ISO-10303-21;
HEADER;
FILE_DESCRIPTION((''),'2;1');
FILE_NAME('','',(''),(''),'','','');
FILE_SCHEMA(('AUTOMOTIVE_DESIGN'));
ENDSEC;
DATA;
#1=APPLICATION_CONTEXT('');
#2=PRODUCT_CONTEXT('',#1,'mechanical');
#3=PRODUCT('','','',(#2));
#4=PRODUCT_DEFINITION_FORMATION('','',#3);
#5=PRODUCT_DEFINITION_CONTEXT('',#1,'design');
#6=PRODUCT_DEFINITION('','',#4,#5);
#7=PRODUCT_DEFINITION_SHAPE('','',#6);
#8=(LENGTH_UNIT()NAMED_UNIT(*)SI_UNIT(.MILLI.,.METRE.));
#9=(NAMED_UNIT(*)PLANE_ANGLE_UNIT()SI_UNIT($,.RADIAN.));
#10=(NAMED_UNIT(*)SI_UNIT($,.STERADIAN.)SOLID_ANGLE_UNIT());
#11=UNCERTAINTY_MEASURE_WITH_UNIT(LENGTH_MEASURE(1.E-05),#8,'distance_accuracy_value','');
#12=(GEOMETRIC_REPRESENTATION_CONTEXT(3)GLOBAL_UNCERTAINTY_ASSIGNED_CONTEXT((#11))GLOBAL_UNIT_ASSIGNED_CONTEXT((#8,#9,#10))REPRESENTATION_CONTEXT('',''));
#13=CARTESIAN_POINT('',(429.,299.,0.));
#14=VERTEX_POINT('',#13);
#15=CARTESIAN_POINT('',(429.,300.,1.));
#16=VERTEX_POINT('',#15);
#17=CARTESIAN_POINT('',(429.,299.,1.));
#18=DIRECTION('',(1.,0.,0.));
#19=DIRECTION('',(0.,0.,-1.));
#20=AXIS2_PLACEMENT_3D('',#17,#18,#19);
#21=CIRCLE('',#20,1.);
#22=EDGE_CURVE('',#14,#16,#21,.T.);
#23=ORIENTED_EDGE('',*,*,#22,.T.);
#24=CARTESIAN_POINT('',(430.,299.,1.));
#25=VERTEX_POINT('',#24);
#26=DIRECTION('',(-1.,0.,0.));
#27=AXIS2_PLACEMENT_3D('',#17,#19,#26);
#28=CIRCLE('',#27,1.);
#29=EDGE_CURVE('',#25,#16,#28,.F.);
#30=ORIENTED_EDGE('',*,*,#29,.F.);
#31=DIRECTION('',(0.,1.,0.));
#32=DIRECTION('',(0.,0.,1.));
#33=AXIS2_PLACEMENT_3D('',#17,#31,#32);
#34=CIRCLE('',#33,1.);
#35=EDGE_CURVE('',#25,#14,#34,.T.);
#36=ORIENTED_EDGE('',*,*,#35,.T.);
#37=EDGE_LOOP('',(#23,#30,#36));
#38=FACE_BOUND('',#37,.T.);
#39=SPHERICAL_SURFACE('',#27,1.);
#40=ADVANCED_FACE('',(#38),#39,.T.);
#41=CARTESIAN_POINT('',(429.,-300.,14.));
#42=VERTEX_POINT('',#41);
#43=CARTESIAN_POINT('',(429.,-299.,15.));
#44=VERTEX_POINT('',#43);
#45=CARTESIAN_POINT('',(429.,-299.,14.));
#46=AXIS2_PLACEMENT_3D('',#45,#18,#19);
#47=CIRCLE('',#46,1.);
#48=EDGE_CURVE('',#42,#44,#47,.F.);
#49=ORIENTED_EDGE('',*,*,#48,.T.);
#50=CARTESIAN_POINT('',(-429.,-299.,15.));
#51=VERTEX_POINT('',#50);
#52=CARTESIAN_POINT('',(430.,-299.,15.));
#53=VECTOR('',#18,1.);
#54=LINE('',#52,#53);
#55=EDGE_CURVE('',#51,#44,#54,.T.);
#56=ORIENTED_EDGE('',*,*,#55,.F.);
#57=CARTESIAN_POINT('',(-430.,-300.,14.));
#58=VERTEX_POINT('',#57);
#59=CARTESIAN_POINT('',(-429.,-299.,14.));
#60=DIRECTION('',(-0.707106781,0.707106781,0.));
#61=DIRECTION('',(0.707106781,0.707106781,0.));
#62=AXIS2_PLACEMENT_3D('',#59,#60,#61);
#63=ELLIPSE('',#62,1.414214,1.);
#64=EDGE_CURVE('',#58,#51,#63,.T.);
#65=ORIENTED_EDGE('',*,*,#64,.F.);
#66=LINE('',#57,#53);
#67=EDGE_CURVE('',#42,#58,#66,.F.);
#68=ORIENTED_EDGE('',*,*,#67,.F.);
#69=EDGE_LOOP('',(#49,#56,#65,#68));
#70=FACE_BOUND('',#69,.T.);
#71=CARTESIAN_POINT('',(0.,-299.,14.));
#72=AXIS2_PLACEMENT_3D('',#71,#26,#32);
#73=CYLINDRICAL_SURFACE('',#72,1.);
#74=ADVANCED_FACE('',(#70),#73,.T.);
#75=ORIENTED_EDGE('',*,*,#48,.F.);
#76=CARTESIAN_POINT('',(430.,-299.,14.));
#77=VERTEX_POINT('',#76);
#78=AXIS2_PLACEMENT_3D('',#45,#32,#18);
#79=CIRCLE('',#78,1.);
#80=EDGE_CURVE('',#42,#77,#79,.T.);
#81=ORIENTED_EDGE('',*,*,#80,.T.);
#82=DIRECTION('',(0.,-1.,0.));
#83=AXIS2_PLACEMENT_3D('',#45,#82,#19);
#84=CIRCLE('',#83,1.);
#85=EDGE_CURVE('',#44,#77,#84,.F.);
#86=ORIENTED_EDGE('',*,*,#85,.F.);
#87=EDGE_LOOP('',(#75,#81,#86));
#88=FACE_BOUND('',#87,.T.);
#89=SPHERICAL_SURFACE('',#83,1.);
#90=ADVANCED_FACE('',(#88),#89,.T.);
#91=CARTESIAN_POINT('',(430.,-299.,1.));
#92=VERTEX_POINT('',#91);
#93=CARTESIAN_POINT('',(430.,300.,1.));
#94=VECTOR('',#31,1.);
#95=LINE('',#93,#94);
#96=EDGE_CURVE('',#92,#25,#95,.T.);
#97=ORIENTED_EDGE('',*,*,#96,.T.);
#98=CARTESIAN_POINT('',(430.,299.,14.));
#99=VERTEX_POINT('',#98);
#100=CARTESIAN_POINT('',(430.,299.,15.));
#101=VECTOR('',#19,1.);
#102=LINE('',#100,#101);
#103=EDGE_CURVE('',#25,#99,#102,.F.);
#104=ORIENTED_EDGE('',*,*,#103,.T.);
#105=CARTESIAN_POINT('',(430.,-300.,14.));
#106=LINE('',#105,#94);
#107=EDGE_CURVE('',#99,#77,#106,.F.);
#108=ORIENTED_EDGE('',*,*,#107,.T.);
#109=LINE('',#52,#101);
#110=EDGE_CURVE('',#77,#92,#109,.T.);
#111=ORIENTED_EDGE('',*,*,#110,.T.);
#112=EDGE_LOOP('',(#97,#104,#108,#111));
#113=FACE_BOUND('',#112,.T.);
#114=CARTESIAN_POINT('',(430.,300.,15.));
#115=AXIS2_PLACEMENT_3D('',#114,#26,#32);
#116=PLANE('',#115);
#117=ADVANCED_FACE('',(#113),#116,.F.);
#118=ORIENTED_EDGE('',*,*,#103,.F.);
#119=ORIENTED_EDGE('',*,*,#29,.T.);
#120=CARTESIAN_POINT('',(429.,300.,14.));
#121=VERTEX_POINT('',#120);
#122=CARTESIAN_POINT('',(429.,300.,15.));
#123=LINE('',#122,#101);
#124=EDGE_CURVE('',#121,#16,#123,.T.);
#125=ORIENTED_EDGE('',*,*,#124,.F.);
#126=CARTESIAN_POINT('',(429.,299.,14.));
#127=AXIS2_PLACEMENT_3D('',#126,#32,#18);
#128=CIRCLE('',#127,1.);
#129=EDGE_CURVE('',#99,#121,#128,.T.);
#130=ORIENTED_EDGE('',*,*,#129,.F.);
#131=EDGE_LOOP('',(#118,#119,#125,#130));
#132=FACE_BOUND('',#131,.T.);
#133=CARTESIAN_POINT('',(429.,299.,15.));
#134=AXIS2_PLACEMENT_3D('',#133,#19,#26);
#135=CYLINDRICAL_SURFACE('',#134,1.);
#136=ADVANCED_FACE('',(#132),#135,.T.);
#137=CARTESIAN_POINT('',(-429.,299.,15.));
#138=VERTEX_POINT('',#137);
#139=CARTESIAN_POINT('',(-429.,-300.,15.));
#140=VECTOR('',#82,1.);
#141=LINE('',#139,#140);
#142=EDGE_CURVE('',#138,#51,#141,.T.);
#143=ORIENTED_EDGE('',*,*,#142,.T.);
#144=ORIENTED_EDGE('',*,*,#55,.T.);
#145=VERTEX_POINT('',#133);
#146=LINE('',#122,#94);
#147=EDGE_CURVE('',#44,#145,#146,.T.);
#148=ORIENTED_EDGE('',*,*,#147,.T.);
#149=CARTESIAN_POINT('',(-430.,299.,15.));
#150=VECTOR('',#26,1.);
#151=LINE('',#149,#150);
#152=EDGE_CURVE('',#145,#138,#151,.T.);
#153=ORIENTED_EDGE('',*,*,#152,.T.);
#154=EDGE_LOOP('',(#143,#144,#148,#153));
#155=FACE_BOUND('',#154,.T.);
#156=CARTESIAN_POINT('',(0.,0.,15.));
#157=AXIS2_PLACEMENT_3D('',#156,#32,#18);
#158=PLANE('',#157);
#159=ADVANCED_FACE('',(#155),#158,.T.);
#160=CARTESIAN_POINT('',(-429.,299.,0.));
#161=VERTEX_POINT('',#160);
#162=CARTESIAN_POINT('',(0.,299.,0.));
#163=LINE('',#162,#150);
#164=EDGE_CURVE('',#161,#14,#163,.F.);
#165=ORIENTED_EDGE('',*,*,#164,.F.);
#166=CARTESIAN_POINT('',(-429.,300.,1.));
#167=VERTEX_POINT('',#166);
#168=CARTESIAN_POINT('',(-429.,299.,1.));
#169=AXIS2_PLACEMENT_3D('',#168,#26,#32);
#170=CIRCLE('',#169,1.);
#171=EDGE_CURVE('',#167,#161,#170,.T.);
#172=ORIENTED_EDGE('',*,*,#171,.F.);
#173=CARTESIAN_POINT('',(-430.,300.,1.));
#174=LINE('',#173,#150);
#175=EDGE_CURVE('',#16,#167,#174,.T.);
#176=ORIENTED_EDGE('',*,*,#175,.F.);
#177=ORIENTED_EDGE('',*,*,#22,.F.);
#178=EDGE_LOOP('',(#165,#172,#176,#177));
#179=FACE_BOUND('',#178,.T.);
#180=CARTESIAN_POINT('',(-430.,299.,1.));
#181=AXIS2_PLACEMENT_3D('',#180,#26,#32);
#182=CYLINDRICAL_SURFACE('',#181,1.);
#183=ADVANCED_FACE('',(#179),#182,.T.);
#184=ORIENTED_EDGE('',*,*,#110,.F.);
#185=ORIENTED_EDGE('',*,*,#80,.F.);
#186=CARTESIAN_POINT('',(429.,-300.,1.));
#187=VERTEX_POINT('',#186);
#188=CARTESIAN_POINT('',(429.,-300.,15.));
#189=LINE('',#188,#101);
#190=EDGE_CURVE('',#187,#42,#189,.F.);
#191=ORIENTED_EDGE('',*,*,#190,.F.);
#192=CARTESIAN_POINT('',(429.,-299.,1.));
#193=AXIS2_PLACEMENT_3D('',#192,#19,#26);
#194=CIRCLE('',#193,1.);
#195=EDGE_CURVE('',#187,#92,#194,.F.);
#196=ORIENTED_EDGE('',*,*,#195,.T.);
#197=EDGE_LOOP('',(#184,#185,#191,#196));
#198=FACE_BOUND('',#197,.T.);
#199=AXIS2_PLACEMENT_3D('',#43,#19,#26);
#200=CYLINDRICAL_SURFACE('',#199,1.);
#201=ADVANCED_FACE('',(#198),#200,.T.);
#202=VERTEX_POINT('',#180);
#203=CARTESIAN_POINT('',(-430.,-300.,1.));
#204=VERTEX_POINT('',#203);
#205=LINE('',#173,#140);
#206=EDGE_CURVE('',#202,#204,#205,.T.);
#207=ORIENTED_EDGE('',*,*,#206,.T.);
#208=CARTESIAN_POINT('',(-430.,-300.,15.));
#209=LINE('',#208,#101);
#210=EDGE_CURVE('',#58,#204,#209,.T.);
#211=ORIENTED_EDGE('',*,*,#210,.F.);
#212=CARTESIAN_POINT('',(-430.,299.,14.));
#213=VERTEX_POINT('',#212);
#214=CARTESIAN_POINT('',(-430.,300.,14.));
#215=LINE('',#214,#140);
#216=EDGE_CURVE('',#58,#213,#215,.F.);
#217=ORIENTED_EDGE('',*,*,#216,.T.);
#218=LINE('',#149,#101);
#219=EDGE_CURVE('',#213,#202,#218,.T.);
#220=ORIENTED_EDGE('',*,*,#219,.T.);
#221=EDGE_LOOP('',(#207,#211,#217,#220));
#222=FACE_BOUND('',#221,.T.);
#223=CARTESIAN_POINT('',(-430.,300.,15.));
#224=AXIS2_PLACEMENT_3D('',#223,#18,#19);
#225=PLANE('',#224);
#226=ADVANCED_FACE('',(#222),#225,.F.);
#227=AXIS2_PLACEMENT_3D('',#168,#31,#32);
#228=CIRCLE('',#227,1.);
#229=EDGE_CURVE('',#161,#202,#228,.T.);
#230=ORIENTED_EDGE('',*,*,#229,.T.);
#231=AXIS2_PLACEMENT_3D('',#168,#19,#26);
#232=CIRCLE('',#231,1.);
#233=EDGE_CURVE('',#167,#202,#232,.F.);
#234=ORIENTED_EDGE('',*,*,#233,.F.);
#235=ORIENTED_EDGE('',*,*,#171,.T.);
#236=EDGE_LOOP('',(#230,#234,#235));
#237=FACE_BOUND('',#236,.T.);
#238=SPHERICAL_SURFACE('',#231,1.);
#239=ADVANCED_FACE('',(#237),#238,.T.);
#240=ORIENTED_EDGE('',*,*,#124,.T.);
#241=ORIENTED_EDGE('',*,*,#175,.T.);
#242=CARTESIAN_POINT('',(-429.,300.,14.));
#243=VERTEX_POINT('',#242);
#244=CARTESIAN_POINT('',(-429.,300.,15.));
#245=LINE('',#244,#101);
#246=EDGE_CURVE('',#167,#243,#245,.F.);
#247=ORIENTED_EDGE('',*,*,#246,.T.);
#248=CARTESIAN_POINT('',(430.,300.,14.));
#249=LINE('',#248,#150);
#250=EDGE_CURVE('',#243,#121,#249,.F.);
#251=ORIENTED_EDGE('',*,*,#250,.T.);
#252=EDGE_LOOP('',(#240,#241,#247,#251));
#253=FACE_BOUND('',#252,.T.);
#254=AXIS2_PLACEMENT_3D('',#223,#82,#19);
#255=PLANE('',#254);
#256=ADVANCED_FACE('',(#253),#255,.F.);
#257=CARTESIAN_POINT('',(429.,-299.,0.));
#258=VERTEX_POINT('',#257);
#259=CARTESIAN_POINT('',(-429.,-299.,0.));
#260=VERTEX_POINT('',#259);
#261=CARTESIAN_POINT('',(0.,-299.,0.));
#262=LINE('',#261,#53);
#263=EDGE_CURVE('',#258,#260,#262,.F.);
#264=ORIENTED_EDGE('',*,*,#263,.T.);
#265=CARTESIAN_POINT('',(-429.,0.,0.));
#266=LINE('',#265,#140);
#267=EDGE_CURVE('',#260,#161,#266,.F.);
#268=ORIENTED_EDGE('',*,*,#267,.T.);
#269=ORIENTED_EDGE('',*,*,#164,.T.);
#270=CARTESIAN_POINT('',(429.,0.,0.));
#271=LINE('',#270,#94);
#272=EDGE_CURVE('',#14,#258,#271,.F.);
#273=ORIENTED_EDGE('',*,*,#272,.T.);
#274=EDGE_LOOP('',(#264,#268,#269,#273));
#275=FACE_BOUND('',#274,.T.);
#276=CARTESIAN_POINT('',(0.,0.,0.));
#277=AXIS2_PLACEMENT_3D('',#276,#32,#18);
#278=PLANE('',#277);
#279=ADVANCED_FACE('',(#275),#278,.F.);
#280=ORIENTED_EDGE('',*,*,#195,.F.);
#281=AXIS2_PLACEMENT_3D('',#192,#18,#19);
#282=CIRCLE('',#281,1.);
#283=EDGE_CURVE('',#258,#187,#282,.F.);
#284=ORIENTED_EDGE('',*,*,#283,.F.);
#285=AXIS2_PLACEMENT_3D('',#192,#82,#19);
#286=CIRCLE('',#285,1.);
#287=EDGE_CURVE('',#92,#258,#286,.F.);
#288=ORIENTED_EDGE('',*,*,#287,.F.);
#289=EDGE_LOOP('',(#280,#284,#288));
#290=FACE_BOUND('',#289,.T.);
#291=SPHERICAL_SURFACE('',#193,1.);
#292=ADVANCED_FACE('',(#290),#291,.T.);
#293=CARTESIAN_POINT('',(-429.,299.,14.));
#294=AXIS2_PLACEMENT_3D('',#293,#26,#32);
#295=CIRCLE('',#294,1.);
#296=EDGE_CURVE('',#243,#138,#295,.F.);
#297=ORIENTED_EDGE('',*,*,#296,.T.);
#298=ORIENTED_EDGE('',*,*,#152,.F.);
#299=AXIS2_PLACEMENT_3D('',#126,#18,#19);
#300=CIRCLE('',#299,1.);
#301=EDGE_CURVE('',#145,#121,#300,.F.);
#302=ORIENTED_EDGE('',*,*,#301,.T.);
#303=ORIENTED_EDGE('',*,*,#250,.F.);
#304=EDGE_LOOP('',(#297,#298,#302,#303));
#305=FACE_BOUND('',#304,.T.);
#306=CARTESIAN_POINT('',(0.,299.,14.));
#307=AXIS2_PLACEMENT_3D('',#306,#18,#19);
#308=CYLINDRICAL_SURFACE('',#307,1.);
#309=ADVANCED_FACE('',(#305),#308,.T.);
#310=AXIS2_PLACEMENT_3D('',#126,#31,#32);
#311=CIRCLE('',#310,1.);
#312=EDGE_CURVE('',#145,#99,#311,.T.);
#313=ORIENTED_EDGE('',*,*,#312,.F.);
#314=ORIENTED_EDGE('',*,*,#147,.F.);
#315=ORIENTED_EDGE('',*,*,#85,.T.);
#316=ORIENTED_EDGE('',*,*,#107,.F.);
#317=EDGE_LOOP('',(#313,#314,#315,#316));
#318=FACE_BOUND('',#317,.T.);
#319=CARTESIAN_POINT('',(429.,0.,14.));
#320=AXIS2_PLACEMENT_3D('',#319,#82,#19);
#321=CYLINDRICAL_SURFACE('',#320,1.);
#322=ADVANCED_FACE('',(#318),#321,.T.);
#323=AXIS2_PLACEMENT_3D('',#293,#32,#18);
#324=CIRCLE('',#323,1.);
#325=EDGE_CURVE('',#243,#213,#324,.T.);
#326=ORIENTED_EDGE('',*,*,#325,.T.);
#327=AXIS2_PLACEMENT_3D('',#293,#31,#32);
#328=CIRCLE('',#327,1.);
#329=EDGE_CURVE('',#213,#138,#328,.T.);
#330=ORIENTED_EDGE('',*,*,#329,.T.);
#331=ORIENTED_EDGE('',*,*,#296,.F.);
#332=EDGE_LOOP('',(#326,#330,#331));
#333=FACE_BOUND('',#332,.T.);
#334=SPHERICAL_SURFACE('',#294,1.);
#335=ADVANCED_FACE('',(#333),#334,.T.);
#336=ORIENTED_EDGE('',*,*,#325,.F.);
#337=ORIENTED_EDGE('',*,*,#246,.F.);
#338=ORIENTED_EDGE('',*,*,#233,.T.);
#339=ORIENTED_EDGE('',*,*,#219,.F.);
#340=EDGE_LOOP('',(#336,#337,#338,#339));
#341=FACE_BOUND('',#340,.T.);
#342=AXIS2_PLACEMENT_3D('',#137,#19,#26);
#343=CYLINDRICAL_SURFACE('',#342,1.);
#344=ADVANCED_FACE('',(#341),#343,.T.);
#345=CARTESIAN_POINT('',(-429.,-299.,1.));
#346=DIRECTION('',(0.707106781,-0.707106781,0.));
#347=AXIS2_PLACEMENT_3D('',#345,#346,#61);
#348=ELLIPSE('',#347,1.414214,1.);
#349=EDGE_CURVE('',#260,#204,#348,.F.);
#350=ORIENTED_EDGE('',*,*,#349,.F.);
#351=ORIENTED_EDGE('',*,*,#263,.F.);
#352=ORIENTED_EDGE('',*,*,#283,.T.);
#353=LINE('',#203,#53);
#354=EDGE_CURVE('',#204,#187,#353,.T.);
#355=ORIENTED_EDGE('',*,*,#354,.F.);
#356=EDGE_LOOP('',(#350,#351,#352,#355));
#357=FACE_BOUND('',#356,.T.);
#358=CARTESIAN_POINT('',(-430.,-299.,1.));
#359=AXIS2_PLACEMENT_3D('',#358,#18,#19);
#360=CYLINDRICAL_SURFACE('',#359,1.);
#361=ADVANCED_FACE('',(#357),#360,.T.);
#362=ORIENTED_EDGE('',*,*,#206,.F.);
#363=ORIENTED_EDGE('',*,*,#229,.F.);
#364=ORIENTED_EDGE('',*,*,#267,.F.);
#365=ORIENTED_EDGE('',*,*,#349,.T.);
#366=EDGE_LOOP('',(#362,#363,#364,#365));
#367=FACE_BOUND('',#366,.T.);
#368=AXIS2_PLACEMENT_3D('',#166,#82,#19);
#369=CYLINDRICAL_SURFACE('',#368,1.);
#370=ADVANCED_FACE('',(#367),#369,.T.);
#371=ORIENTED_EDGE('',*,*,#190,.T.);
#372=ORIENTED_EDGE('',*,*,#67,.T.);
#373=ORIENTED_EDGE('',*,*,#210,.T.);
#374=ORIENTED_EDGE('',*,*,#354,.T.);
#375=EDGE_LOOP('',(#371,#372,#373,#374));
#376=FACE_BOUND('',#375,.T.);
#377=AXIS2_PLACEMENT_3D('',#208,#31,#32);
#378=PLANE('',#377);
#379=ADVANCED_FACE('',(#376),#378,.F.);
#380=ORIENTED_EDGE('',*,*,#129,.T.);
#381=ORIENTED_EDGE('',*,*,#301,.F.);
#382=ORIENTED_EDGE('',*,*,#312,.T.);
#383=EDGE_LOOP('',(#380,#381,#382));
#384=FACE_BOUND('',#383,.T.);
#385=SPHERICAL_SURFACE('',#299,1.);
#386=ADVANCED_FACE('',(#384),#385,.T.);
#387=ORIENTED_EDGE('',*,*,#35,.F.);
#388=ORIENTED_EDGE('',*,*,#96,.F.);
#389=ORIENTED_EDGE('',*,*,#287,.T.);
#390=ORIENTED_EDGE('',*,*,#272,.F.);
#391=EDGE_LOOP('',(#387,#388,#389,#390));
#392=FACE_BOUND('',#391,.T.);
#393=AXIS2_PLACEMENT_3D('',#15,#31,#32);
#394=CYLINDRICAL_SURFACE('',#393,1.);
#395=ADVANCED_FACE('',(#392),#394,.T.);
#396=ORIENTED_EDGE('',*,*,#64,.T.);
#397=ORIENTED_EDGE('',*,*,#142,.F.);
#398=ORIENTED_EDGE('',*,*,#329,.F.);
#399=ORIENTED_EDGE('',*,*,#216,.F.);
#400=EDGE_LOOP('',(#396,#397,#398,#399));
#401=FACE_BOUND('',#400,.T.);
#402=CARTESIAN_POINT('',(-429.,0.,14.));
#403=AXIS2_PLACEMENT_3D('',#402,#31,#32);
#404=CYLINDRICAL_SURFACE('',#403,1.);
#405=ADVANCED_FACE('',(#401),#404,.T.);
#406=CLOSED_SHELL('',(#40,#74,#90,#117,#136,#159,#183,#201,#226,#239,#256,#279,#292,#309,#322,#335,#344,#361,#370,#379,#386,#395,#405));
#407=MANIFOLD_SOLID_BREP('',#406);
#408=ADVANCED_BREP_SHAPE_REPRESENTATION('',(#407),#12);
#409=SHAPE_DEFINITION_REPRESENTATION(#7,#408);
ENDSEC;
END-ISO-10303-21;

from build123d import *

# Parameters (mm, degrees)
SKETCH1_W           = 860
SKETCH1_H           = 600
BOSS_EXTRUDE1_DEPTH = 15
FILLET1_R           = 1


with BuildPart() as part:
    # Sketch1 → Boss-Extrude1 (new body)
    with BuildSketch(Plane.XY):
        Rectangle(SKETCH1_W, SKETCH1_H)
    extrude(amount=BOSS_EXTRUDE1_DEPTH)

    # Fillet1
    fillet1_edges = [part.edges().sort_by_distance(p)[0] for p in [
        (430, 0, 15),
        (0, 300, 15),
        (-430, 0, 15),
        (0, 300, 0),
        (430, 0, 0),
        (0, -300, 0),
        (-430, 0, 0),
        (-430, 300, 7.5),
        (430, 300, 7.5),
        (430, -300, 7.5),
        (0, -300, 15),
    ]]
    fillet(fillet1_edges, radius=FILLET1_R)


solid = part.part
